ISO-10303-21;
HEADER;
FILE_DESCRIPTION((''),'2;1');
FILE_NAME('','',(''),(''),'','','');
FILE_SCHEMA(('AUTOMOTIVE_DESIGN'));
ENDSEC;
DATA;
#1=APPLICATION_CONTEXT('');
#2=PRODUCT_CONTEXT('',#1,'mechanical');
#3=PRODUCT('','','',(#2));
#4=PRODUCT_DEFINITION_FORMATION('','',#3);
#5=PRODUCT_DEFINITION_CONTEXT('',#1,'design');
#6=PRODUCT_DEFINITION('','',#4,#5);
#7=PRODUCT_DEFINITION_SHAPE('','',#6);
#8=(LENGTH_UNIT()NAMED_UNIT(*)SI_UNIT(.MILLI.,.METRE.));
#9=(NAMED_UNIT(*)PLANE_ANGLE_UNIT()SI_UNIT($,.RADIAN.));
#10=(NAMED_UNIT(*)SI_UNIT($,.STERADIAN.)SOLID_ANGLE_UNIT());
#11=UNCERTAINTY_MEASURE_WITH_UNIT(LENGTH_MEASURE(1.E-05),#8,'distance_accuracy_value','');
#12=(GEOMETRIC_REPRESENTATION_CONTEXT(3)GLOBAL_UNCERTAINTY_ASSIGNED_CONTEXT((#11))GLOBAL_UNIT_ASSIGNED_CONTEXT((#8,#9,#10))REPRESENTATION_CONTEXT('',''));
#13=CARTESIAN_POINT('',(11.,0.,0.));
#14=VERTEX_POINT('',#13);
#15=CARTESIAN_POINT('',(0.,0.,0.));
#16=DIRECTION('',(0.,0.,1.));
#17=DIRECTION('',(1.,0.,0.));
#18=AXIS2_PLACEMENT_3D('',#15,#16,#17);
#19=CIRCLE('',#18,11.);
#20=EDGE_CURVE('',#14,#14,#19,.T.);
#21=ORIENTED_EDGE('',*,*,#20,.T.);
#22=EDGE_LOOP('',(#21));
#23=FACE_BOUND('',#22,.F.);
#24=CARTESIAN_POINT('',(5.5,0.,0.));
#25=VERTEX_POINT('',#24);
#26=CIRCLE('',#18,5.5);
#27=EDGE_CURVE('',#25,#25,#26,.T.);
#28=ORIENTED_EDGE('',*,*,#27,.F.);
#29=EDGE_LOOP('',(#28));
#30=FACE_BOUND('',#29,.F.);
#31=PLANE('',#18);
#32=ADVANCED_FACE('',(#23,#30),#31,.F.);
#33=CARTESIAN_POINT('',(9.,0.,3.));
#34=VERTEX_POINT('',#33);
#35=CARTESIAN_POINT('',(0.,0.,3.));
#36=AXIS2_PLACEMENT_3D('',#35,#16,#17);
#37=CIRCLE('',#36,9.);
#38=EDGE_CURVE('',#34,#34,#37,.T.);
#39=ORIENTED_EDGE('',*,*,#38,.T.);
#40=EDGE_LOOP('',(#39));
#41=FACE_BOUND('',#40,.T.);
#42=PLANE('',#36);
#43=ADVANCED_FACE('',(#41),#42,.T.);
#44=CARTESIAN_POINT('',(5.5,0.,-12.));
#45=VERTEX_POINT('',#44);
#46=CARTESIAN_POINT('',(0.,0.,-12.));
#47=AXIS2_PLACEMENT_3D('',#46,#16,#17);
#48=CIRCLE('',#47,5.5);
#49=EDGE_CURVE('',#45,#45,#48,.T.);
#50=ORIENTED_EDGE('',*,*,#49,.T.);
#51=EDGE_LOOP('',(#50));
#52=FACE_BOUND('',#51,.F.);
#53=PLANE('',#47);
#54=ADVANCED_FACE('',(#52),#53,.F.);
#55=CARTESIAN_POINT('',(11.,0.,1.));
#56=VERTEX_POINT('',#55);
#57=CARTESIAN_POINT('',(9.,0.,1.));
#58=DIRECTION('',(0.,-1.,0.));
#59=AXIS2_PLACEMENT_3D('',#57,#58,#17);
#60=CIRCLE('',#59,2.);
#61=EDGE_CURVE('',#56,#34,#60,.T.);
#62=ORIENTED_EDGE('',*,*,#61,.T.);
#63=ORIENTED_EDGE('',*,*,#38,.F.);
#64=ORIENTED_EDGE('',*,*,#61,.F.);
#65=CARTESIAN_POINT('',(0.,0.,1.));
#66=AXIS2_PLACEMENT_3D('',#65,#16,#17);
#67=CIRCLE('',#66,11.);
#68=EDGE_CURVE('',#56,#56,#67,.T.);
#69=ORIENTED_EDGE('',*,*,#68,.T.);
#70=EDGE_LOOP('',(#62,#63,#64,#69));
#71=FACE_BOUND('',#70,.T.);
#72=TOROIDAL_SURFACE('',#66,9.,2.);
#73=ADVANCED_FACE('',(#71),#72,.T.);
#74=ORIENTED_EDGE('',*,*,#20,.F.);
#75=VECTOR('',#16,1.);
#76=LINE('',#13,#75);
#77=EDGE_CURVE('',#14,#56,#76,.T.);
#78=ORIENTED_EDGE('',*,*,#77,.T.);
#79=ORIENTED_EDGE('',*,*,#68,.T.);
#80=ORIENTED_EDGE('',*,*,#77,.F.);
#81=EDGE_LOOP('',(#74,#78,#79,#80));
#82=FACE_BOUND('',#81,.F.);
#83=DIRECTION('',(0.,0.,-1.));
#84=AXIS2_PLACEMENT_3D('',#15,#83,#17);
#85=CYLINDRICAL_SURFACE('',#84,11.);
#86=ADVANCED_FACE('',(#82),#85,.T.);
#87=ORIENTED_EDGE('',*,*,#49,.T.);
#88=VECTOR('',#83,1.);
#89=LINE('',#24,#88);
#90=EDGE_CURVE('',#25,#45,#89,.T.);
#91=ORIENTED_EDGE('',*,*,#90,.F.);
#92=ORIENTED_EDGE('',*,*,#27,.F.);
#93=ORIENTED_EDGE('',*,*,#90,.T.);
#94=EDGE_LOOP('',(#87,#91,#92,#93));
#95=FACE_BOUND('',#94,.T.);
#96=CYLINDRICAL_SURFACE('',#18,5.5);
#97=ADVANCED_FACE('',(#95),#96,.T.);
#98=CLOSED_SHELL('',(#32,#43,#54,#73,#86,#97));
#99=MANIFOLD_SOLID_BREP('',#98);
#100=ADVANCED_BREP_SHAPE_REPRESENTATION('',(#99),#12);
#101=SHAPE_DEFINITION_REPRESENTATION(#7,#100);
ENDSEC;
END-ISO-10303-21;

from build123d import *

# Parameters (mm, degrees)
F0_R     = 11
F0_R_2   = 5.5
F1_DEPTH = 3
F2_DEPTH = 12
F3_R     = 2


with BuildPart() as f1:
    # F0 (on Top) → F1 (new body)
    with BuildSketch(Plane.XY):
        Circle(F0_R)
        Circle(F0_R_2, mode=Mode.SUBTRACT)
        Circle(F0_R_2)
    extrude(amount=F1_DEPTH)

    # F0 (on Top) → F2 (join)
    with BuildSketch(Plane.XY):
        Circle(F0_R_2)
    extrude(amount=-F2_DEPTH)

    # F3
    f3_edges = [f1.edges().sort_by_distance(p)[0] for p in [
        (-11, 0, 3),
    ]]
    fillet(f3_edges, radius=F3_R)


solid = f1.part
